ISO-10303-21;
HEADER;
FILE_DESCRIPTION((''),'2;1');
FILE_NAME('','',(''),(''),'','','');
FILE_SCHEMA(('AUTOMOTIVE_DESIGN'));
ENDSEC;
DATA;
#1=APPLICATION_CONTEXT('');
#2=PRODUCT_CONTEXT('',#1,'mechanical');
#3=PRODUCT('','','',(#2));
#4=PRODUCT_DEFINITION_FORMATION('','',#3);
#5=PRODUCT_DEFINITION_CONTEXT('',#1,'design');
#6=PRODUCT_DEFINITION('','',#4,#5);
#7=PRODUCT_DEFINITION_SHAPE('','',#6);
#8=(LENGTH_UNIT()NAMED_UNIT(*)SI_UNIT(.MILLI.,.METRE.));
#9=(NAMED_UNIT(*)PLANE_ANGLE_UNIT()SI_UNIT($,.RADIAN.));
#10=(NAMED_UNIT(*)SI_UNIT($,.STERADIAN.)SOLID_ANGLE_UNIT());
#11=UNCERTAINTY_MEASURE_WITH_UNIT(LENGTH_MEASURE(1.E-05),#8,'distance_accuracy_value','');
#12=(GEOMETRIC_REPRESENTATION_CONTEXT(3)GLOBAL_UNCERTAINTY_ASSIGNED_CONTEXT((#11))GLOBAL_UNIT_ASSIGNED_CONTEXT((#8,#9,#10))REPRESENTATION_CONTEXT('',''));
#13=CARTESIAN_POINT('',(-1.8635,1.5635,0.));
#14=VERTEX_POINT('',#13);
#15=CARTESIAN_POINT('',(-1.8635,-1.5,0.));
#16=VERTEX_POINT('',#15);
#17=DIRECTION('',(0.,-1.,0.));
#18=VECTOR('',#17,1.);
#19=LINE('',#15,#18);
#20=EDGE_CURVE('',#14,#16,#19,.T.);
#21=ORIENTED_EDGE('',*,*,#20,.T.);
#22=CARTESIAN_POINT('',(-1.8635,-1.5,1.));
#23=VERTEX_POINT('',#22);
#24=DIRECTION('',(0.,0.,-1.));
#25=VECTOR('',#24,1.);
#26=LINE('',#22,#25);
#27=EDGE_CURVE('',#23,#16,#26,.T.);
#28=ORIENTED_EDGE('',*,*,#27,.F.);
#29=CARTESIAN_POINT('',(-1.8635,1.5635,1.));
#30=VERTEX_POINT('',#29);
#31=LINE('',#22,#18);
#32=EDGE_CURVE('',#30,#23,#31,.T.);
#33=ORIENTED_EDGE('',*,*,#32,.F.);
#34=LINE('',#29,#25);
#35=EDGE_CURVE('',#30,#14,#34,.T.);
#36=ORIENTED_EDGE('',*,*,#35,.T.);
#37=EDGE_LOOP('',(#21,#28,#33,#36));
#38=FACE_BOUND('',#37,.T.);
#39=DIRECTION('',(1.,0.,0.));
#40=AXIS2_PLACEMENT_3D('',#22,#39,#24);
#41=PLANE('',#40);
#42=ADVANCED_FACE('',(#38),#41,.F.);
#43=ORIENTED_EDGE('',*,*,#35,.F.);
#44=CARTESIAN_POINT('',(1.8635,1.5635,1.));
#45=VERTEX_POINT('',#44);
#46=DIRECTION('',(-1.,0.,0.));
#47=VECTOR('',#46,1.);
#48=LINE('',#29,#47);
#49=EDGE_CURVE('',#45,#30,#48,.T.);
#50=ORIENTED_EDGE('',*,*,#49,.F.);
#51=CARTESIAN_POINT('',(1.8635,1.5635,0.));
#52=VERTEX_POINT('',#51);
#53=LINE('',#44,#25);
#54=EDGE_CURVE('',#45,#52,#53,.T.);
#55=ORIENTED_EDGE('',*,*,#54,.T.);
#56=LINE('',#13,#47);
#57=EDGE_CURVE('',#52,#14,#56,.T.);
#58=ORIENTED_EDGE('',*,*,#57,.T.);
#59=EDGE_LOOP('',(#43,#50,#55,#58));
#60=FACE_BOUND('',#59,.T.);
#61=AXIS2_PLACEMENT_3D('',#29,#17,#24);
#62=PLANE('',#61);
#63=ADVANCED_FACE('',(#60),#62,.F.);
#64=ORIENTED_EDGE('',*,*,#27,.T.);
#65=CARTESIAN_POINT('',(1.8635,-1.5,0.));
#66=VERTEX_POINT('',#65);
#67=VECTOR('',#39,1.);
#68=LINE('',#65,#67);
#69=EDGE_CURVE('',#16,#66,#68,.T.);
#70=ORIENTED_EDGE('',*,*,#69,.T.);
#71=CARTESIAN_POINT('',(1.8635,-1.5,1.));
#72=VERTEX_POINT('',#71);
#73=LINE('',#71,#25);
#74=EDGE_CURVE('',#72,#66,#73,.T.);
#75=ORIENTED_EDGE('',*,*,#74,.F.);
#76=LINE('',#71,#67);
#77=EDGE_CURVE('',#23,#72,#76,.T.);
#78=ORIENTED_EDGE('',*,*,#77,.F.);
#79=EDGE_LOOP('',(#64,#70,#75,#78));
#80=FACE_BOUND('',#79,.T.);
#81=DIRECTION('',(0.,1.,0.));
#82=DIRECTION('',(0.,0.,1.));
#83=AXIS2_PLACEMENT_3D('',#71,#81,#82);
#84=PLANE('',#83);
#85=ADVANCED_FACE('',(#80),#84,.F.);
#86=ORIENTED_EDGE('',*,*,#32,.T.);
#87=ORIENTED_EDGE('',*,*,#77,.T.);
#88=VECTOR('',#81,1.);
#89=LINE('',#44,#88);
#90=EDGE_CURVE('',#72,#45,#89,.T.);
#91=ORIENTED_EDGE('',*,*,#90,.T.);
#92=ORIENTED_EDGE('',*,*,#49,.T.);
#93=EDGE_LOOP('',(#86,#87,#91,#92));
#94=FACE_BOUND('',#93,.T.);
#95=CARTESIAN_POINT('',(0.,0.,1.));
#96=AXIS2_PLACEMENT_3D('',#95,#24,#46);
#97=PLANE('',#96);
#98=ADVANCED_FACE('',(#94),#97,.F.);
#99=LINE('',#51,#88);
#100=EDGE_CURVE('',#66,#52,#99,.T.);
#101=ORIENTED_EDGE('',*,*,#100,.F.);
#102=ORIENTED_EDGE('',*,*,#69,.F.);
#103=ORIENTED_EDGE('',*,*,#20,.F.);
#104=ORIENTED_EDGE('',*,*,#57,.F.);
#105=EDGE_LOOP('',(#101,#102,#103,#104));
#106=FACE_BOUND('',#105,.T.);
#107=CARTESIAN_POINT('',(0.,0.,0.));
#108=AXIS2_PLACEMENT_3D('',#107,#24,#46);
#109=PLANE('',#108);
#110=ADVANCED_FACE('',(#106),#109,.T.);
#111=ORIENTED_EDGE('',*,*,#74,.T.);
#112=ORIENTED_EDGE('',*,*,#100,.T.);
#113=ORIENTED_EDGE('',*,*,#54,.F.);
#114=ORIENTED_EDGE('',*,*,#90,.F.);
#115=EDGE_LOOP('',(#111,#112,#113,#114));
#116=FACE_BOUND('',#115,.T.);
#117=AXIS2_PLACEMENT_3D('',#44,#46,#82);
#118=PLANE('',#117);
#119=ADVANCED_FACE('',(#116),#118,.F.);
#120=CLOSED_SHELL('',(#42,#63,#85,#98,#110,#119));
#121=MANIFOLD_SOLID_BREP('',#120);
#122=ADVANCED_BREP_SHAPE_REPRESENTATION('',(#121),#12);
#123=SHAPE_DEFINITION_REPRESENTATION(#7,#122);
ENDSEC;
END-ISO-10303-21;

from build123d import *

# Parameters (mm, degrees)
SKETCH1_W               = 3.727
SKETCH1_H               = 3.0635
COMPONENT_OUTLINE_DEPTH = 1


with BuildPart() as part:
    # Sketch1 → Component_Outline (new body)
    with BuildSketch(Plane.XY):
        with Locations((0, 0.03175)):
            Rectangle(SKETCH1_W, SKETCH1_H)
    extrude(amount=COMPONENT_OUTLINE_DEPTH)


solid = part.part
